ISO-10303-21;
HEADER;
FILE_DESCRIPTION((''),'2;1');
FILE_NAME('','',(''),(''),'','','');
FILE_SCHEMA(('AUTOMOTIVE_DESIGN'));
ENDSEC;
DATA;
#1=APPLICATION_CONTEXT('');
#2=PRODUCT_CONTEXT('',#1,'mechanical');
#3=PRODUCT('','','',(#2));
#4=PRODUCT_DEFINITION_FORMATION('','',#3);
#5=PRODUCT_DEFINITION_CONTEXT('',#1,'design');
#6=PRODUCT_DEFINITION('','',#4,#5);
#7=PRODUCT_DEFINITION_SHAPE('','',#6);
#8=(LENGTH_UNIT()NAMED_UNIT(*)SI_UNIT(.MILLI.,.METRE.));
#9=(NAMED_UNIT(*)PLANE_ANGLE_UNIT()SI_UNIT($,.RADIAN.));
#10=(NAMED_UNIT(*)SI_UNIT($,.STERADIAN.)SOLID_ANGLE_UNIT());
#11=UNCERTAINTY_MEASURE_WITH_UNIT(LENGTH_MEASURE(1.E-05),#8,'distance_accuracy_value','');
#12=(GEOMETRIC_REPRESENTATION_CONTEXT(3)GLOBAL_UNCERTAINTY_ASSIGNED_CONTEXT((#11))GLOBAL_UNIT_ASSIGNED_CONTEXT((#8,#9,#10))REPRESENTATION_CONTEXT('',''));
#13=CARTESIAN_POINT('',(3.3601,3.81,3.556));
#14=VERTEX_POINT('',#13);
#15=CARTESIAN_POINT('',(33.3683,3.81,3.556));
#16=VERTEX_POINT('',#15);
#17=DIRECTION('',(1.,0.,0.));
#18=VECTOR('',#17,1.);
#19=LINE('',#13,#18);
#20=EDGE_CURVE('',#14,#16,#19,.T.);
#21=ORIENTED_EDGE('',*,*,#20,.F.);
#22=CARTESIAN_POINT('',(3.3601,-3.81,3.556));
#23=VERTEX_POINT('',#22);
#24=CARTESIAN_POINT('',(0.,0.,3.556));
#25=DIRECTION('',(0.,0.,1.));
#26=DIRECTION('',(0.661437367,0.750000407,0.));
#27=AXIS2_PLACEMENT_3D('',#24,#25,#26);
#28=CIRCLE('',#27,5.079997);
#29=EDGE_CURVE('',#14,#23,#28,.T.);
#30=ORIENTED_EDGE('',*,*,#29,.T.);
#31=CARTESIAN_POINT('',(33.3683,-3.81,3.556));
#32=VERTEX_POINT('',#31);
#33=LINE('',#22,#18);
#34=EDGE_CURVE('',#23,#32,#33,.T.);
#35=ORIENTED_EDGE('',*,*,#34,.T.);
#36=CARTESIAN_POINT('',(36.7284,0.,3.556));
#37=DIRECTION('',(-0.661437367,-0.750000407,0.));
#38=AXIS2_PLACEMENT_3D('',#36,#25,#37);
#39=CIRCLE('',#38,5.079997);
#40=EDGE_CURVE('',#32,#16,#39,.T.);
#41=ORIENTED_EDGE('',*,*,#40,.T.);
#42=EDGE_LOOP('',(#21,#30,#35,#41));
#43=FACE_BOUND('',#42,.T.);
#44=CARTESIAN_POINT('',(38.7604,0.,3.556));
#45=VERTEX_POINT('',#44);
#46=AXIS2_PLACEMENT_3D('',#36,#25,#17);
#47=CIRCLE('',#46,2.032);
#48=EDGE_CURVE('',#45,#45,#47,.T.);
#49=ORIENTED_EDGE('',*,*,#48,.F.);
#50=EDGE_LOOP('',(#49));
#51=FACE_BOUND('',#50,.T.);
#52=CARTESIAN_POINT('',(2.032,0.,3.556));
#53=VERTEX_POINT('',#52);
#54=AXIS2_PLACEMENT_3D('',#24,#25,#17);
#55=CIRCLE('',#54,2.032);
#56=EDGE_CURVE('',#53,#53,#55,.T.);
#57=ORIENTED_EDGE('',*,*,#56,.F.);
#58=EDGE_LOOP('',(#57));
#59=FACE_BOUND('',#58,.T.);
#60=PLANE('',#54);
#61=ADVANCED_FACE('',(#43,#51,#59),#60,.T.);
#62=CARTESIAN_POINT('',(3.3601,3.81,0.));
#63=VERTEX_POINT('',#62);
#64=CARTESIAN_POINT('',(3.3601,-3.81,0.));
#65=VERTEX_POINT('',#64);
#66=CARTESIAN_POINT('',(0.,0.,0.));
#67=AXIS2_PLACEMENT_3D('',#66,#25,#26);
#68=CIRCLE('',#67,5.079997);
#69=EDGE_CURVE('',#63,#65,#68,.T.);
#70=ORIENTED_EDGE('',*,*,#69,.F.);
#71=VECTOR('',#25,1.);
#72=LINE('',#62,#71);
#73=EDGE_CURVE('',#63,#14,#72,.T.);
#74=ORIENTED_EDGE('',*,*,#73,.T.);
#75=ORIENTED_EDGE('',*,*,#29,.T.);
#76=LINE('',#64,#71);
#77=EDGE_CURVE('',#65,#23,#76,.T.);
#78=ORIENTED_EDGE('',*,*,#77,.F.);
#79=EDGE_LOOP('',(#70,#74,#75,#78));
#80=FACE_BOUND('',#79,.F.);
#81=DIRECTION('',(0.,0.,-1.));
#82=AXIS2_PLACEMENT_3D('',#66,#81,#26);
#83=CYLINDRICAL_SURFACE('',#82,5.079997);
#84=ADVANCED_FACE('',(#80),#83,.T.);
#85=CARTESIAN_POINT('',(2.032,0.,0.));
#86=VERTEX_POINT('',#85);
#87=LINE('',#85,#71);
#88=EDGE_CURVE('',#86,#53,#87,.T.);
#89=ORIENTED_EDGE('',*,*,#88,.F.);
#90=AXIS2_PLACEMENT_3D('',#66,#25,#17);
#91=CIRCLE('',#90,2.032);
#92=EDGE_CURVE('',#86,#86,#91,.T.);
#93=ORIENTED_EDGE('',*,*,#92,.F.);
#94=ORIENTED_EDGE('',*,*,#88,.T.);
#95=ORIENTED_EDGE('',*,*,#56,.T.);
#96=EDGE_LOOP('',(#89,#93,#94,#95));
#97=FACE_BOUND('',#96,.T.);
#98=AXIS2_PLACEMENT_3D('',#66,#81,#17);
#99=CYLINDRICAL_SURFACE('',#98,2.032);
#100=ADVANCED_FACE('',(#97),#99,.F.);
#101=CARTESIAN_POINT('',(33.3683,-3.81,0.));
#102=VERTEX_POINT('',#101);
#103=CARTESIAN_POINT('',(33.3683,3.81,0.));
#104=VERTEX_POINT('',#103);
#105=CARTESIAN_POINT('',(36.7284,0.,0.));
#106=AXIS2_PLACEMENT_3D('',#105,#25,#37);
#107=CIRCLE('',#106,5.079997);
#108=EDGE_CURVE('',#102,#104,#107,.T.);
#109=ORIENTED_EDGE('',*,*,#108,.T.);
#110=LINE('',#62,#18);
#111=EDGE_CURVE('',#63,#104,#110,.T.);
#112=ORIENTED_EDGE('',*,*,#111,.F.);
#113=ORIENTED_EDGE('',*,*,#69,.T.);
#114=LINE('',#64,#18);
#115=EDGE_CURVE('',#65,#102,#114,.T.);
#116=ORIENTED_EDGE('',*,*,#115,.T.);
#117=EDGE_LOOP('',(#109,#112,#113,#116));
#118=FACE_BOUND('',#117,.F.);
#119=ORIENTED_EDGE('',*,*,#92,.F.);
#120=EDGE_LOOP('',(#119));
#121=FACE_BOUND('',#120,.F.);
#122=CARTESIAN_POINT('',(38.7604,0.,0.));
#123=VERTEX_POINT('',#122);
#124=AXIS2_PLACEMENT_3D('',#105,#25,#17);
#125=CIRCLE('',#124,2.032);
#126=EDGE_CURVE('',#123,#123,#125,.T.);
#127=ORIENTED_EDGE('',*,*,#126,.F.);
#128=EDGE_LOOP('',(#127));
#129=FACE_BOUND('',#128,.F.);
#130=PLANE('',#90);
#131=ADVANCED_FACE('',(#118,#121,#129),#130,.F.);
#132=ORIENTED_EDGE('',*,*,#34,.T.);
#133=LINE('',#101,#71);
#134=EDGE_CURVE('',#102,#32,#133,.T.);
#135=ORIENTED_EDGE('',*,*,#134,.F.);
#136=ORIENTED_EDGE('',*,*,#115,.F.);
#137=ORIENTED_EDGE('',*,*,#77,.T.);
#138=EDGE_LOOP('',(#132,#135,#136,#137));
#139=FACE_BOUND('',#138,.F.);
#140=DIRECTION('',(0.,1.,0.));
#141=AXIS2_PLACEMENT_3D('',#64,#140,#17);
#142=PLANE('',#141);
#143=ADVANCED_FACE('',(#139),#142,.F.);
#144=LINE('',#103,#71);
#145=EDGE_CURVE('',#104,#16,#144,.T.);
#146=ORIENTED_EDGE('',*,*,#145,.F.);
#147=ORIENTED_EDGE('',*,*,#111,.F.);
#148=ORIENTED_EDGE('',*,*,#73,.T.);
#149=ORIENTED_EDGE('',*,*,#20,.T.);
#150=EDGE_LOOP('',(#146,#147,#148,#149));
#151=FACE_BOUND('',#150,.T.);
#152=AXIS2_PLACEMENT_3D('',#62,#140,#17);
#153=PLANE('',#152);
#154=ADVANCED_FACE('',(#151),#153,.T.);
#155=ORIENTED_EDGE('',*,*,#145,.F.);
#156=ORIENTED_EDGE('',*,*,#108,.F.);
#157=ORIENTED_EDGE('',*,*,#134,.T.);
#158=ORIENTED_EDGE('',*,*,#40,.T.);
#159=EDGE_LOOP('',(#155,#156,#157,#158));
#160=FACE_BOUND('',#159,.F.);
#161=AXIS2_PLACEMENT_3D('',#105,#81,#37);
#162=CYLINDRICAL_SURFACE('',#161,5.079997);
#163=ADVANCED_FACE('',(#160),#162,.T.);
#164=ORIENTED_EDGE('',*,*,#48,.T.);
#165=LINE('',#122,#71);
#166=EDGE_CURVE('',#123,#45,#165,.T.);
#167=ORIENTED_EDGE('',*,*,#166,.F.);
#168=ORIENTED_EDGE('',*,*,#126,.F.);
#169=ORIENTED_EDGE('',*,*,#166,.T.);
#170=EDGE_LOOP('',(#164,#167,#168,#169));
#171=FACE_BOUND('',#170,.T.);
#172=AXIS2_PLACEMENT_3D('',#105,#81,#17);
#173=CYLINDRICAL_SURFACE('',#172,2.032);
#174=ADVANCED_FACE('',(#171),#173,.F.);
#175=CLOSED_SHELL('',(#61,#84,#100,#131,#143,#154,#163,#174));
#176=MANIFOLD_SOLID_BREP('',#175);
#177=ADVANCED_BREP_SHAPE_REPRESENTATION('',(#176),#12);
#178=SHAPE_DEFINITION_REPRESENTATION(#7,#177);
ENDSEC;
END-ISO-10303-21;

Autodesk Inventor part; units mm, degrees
ref_plane "YZ Plane" through (0, 0, 0) normal (1, 0, 0) x (0, 1, 0)
ref_plane "XZ Plane" through (0, 0, 0) normal (0, 1, 0) x (-1, 0, 0)
ref_plane "XY Plane" through (0, 0, 0) normal (0, 0, 1) x (1, 0, 0)
sketch "Sketch1" plane through (0, 0, 0) normal (0, 0, 1) x (1, 0, 0)
  arc A0 (3.3601, 3.81) -> (3.3601, -3.81) centre (0, 0) ccw
  circle A1 centre (0, 0) radius 2.032
  line L0 (3.3601, 3.81) -> (33.3683, 3.81)
  line L1 (3.3601, -3.81) -> (33.3683, -3.81)
  arc A2 (33.3683, -3.81) -> (33.3683, 3.81) centre (36.7284, 0) ccw
  circle A3 centre (36.7284, 0) radius 2.032
  dimension "d0" = 10.16
  dimension "d1" = 4.064
  dimension "d2" = 7.62
  dimension "d3" = 3.81
  dimension "d4" = 10.16
  dimension "d5" = 4.064
  dimension "d6" = 36.7284
extrude "Extrusion1" add sketch "Sketch1" along normal blind 3.556
equation "\"d5\" = d1"
properties part number "Arm 3"
